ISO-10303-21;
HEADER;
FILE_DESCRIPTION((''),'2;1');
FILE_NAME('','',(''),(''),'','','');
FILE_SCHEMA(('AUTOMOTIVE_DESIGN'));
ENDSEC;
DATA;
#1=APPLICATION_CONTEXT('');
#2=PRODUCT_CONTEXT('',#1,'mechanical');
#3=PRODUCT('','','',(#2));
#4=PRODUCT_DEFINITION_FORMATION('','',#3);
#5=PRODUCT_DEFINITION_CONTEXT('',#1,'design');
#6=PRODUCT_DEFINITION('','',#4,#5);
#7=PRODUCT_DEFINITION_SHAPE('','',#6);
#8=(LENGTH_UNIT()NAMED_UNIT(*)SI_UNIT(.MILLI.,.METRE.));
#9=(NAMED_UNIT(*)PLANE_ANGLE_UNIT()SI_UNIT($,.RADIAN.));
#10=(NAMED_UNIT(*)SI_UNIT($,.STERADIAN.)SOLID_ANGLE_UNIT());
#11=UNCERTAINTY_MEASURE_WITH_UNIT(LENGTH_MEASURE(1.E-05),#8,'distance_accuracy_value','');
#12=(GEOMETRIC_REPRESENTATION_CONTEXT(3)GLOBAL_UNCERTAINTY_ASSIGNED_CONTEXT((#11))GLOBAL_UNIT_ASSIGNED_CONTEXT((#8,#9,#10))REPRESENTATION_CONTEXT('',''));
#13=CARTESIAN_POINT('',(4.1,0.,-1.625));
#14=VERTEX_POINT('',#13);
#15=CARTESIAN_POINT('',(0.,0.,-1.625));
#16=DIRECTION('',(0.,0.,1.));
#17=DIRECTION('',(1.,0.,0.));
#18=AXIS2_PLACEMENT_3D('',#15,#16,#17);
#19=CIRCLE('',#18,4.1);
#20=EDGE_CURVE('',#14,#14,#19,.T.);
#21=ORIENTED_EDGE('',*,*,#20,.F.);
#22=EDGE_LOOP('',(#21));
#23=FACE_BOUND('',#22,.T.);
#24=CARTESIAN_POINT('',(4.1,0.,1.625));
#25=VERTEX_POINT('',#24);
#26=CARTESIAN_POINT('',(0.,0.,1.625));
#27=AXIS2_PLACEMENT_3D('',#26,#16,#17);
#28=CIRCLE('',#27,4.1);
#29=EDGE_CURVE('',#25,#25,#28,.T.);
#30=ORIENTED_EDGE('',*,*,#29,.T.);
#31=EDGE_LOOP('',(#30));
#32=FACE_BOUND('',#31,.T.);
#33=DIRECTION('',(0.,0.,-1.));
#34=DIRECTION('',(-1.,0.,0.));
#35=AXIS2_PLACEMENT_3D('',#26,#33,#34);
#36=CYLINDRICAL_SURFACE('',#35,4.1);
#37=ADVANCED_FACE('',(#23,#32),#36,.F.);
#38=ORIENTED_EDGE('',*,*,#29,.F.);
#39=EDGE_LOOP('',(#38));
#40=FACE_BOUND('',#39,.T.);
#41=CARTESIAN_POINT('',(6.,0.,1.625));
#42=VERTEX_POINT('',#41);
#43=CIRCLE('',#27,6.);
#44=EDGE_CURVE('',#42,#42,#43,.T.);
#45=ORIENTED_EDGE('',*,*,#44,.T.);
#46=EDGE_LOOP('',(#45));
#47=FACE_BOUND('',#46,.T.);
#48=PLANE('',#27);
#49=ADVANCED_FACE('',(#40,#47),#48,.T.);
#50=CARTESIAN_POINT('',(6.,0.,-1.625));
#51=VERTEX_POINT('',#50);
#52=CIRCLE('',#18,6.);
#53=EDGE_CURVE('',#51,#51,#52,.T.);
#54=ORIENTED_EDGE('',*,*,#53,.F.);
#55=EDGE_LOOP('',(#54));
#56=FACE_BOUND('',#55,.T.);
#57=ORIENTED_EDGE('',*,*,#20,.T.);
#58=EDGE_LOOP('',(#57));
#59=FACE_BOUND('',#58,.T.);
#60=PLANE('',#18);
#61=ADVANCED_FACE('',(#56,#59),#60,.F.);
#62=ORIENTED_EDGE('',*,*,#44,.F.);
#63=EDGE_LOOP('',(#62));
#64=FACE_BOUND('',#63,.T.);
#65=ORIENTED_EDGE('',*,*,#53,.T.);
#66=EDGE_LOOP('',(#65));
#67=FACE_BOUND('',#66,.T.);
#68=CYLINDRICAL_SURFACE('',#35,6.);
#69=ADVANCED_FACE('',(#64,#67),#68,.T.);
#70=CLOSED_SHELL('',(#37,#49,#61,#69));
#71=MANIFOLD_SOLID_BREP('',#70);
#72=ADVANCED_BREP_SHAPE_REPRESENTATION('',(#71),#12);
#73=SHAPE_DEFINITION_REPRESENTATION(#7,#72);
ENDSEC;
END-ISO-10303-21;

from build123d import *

# Parameters (mm, degrees)
SKETCH1_R           = 6
SKETCH1_R_2         = 4.1
BOSS_EXTRUDE1_DEPTH = 1.625


with BuildPart() as part:
    # Sketch1 → Boss-Extrude1 (new, symmetric)
    with BuildSketch(Plane.XY):
        Circle(SKETCH1_R)
        Circle(SKETCH1_R_2, mode=Mode.SUBTRACT)
    extrude(amount=BOSS_EXTRUDE1_DEPTH, both=True)


solid = part.part
